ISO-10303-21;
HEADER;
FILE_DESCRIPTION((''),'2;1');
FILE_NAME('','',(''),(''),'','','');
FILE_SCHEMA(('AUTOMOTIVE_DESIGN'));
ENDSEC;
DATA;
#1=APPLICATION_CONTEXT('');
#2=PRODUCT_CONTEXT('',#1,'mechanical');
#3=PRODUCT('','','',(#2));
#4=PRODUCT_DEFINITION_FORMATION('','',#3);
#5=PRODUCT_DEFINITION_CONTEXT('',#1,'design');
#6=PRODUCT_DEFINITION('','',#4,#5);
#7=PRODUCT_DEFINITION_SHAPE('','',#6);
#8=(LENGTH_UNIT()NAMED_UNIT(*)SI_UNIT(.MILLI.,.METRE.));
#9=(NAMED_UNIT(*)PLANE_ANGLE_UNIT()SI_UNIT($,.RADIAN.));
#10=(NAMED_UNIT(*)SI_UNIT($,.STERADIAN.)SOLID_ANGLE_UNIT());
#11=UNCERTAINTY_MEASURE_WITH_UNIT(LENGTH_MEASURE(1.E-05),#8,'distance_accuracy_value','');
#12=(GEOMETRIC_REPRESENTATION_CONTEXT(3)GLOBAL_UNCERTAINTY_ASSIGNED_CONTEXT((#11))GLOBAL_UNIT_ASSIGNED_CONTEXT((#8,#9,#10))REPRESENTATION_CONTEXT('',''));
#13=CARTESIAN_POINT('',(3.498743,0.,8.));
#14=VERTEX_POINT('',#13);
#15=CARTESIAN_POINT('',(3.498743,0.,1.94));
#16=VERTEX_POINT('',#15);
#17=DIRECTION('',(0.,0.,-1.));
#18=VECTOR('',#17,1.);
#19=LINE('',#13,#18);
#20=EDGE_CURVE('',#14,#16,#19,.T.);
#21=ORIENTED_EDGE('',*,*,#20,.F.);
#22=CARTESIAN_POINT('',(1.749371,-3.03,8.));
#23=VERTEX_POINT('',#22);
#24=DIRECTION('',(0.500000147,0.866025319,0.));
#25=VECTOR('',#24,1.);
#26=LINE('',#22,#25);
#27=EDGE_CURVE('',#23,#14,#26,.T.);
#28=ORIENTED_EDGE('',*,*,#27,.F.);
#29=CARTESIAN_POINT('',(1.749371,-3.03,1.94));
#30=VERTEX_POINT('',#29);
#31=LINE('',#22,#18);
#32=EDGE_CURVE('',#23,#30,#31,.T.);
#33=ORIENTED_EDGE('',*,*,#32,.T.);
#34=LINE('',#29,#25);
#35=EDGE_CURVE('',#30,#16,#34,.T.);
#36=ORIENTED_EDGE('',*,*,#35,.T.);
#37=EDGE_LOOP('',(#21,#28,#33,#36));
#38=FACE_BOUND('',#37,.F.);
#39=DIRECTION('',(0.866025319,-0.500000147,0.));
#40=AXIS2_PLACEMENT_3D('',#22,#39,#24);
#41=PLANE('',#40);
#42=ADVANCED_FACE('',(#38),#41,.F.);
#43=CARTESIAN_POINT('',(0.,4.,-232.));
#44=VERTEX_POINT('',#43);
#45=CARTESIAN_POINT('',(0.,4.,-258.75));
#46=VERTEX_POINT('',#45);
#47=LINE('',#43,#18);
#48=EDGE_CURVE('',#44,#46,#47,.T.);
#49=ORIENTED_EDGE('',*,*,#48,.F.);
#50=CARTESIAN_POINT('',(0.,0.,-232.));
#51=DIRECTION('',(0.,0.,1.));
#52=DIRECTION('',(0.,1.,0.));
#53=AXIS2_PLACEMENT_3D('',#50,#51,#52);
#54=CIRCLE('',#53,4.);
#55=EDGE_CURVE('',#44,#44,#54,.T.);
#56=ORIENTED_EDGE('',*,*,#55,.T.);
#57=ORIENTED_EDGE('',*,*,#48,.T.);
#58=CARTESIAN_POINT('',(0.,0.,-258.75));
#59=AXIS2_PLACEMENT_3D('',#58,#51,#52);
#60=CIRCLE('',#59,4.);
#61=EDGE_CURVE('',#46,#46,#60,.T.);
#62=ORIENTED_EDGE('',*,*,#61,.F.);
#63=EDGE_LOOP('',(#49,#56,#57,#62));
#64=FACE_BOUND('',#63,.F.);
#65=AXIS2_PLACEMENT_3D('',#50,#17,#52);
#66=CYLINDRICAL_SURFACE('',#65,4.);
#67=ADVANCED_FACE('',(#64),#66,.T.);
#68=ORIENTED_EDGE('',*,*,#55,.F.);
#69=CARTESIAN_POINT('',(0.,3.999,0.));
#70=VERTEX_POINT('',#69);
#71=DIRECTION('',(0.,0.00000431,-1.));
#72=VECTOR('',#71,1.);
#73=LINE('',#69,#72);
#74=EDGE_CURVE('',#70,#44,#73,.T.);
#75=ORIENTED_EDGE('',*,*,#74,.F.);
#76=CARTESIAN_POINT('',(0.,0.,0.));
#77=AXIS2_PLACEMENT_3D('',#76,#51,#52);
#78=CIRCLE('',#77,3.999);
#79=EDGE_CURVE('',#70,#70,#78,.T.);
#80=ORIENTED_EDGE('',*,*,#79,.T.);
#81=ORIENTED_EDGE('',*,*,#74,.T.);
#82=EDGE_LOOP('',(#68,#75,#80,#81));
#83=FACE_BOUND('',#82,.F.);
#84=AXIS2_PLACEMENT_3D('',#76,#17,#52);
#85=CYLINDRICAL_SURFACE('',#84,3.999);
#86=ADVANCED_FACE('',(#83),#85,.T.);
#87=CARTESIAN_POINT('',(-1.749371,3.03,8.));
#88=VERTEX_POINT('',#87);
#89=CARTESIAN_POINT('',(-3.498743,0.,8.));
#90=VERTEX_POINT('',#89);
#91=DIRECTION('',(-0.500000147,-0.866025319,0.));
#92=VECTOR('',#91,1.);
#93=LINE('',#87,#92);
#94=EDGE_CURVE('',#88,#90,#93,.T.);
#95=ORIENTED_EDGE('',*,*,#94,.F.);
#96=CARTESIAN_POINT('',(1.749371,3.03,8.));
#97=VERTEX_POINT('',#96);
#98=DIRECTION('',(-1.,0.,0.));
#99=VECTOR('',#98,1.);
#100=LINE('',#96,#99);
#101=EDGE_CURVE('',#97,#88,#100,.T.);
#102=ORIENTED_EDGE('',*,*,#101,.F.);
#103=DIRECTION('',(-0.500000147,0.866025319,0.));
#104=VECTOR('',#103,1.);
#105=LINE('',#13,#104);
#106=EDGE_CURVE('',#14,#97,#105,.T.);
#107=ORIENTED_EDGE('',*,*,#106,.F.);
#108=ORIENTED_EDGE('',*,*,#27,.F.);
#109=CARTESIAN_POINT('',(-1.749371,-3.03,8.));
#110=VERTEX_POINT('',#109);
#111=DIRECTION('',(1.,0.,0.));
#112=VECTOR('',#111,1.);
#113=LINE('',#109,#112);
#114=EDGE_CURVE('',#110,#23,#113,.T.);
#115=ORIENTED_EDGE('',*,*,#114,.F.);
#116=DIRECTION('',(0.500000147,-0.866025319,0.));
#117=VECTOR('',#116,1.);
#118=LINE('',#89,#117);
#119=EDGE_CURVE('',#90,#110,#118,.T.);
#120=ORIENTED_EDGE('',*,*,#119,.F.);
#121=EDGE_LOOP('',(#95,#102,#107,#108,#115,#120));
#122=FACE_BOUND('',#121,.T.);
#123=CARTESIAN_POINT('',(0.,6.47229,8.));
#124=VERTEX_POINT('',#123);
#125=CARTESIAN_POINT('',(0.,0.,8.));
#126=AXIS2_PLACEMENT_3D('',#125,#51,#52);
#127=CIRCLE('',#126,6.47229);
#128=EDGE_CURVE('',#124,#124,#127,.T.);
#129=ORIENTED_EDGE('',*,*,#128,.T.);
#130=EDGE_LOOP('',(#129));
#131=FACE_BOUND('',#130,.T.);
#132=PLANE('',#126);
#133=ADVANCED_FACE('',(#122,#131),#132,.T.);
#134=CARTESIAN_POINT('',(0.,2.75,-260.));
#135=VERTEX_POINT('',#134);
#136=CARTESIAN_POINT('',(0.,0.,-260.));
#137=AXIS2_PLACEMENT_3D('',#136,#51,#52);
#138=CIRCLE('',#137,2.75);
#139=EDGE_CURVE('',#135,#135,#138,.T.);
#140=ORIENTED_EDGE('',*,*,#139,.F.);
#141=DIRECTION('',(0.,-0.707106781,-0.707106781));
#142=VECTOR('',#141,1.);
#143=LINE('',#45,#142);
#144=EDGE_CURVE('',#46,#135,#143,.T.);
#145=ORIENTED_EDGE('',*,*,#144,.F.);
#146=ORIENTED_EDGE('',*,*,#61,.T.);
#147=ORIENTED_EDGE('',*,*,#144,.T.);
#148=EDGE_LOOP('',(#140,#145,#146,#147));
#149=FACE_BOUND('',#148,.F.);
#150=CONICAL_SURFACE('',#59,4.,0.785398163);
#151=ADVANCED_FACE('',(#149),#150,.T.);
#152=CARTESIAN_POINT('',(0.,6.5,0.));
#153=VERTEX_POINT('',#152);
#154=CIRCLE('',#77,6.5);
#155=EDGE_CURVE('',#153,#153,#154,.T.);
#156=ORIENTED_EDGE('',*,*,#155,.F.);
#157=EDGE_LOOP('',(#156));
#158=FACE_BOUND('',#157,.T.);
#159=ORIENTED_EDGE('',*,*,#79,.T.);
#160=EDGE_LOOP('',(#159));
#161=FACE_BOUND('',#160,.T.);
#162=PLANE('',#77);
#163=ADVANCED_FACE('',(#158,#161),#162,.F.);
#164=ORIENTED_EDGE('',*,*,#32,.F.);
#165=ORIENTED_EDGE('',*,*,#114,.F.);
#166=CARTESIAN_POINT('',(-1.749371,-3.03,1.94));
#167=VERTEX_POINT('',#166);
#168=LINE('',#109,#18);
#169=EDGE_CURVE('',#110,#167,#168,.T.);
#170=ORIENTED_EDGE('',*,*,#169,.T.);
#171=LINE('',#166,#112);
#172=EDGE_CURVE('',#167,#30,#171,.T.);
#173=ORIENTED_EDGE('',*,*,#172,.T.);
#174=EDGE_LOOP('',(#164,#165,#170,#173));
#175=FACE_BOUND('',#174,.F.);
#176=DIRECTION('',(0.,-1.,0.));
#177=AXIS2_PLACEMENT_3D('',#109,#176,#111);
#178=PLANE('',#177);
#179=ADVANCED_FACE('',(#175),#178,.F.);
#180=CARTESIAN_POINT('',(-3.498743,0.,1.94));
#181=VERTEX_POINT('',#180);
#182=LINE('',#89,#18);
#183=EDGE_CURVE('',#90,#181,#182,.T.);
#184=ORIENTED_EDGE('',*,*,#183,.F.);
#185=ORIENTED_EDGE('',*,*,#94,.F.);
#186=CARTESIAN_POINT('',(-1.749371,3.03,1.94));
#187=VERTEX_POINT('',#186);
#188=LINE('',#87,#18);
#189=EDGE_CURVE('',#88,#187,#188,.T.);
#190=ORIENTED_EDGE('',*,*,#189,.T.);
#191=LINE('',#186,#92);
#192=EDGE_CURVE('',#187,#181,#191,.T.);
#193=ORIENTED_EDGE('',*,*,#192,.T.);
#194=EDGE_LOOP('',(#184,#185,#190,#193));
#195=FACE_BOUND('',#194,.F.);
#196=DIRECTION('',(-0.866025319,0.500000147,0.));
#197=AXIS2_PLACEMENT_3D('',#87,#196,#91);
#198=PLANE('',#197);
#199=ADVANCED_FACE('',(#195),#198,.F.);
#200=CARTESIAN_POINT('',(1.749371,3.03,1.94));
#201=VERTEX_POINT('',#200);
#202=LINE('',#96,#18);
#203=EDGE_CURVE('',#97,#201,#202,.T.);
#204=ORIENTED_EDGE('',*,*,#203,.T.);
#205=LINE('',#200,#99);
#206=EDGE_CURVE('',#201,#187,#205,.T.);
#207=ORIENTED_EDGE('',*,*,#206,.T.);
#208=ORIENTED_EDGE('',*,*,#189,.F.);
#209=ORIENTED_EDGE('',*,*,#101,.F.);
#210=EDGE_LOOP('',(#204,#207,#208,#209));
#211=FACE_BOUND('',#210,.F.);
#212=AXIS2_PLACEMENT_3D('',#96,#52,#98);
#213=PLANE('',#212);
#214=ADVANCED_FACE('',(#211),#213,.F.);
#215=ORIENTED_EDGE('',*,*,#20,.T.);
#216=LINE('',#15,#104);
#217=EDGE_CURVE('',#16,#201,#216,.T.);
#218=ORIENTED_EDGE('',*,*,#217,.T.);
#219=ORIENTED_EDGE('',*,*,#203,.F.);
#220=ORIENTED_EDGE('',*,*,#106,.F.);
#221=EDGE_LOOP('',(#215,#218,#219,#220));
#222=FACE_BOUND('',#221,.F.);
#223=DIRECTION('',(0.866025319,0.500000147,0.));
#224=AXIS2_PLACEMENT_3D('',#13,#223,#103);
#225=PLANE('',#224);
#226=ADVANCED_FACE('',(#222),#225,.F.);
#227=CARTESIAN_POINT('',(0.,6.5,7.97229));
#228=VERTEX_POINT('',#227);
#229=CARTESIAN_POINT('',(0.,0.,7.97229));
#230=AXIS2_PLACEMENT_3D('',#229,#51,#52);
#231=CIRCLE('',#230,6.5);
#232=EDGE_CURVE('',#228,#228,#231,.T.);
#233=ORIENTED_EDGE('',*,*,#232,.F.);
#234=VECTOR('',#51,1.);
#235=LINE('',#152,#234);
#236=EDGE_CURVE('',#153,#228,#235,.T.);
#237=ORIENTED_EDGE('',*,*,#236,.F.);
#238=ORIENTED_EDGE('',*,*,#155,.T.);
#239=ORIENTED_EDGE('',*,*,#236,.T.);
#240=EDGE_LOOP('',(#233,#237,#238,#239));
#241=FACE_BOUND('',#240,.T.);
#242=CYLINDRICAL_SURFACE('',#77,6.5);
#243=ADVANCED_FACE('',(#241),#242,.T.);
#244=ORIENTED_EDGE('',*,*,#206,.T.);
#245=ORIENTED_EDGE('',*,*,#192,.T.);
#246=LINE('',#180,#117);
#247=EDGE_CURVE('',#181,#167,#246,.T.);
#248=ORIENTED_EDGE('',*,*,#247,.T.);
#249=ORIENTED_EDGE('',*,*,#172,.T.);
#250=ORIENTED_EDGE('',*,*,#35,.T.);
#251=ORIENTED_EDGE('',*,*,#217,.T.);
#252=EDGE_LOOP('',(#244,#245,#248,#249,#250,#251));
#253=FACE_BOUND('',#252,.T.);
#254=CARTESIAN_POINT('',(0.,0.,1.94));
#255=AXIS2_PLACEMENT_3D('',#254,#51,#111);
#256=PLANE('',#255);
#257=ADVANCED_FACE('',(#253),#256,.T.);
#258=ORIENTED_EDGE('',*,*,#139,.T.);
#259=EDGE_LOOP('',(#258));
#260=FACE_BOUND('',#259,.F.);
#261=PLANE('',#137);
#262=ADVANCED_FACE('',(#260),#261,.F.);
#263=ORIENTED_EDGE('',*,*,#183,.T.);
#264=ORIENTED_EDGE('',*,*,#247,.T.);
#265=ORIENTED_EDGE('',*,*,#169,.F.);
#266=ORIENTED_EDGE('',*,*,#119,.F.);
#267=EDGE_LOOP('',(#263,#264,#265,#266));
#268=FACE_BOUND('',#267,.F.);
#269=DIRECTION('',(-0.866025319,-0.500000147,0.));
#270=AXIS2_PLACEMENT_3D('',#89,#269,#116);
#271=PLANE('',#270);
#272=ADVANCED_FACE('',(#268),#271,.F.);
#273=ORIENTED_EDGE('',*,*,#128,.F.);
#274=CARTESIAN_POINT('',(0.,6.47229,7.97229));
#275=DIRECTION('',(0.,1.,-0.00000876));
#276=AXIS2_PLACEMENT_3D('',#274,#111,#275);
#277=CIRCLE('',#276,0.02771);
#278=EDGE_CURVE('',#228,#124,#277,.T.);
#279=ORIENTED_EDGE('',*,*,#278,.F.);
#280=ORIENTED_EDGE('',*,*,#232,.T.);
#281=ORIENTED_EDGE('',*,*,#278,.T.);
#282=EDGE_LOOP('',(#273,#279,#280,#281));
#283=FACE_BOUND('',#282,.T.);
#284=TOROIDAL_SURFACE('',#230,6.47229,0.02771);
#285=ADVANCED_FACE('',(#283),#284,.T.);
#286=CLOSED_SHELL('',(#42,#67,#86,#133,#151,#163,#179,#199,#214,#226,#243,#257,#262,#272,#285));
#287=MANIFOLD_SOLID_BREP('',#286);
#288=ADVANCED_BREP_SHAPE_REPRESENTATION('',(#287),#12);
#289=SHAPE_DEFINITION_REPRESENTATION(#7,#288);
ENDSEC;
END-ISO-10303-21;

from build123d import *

# Parameters (mm, degrees)
POCKET_DEPTH = 6.06


with BuildPart() as part:
    # Sketch → Revolve (revolve)
    with BuildSketch(Plane.YZ):
        with BuildLine():
            Line((3.999, 0), (6.5, 0))
            Line((6.5, 0), (6.5, 7.97229))
            ThreePointArc((6.5, 7.97229), (6.491884, 7.991884), (6.47229, 8))
            Line((6.47229, 8), (0, 8))
            Line((0, -260), (0, 8))
            Line((2.75, -260), (0, -260))
            Line((4, -258.75), (2.75, -260))
            Line((4, -232), (4, -258.75))
            Line((3.999, 0), (4, -232))
        make_face()
    revolve(axis=Axis((0, 0, 0), (0, 0, 1)))

    # Sketch001 → Pocket (cut)
    with BuildSketch(Plane.XY.offset(8)):
        Polygon((3.498743, 0), (1.749371, 3.03), (-1.749371, 3.03), (-3.498743, 0), (-1.749371, -3.03), (1.749371, -3.03), align=None)
    extrude(amount=-POCKET_DEPTH, mode=Mode.SUBTRACT)


solid = part.part
